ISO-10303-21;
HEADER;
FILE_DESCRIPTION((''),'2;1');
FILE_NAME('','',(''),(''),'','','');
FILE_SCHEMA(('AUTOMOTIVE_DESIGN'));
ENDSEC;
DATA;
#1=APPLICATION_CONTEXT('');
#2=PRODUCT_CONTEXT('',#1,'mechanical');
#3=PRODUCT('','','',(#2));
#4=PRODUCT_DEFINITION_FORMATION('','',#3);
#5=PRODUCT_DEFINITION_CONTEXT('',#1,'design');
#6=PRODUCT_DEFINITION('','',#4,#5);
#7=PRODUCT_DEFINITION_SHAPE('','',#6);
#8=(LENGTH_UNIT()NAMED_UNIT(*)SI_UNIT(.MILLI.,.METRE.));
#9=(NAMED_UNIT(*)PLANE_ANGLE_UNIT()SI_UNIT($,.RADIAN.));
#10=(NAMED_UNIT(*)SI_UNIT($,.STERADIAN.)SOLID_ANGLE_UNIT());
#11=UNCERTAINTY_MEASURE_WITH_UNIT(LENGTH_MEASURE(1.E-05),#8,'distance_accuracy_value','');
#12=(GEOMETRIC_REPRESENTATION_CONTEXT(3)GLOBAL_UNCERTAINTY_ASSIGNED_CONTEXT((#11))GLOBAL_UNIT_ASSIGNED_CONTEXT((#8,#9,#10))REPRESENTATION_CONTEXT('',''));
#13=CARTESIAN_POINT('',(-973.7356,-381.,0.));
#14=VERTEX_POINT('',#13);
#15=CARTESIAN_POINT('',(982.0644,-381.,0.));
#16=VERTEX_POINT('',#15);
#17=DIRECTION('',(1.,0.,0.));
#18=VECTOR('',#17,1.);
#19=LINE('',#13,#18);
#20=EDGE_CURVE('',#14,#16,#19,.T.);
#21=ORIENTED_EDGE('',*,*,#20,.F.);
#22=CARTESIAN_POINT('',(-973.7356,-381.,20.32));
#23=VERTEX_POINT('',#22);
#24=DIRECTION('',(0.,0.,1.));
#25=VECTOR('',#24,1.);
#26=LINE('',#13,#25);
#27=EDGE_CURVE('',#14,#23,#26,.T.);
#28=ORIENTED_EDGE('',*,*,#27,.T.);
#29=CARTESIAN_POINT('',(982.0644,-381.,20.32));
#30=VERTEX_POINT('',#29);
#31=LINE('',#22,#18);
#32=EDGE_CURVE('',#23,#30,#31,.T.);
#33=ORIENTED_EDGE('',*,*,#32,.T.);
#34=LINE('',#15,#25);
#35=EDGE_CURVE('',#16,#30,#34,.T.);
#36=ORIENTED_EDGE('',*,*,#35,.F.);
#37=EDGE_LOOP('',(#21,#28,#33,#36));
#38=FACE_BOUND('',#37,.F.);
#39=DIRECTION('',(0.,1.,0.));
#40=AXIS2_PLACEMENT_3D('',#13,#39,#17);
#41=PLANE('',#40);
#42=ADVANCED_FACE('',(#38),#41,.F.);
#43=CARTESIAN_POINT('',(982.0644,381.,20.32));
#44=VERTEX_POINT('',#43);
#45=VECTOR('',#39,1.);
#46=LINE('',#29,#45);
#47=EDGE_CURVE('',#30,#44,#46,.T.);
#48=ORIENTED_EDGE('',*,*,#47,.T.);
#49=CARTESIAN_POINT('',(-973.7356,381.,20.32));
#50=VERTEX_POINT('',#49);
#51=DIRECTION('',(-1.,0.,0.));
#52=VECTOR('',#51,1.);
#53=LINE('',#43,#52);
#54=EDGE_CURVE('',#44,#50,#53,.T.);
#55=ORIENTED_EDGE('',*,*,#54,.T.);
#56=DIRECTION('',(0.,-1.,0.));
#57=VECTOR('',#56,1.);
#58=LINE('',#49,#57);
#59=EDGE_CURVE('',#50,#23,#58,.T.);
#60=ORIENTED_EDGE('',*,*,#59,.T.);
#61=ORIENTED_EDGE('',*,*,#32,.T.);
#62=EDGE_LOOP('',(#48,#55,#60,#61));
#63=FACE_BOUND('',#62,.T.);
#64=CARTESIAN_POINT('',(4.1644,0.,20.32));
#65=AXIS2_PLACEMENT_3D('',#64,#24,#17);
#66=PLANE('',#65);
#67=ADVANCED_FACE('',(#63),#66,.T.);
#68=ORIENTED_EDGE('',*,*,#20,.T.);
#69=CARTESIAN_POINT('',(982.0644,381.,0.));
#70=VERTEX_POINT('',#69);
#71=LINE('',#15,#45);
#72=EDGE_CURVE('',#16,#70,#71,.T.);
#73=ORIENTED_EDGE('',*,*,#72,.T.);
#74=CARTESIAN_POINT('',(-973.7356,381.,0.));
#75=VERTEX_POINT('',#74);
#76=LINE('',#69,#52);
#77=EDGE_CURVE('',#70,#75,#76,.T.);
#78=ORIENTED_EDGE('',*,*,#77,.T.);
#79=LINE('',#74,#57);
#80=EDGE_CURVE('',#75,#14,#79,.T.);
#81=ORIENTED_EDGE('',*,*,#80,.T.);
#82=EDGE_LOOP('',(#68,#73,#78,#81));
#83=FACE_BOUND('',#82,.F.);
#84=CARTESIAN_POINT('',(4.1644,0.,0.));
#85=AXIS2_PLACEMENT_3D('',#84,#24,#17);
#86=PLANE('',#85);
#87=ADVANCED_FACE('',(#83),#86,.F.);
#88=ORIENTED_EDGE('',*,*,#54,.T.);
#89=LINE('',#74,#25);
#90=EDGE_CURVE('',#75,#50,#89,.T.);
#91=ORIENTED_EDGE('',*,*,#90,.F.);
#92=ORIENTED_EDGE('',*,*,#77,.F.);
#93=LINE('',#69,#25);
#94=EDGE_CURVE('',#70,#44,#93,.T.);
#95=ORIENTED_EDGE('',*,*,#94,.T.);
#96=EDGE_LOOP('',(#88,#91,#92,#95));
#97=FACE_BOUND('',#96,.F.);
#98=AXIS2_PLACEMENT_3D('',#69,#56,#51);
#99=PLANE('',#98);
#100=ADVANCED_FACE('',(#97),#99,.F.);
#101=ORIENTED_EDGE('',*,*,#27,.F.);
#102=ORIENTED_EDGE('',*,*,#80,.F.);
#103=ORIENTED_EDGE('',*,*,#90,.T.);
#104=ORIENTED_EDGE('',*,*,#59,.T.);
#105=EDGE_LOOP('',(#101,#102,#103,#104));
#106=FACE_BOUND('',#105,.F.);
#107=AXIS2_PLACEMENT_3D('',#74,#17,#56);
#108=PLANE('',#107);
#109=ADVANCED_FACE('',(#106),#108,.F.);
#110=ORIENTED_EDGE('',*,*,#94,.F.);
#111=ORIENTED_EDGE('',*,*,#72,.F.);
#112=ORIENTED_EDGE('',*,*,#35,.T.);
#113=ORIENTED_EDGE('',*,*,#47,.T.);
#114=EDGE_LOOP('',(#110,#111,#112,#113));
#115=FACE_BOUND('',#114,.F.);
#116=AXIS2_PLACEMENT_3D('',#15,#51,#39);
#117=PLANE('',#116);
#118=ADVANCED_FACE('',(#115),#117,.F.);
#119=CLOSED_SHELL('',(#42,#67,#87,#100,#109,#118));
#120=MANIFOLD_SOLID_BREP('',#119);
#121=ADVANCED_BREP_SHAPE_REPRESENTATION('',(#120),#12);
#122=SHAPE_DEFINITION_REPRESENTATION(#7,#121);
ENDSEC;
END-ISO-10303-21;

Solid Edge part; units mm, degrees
sketch "Sketch1" plane through (0, 0, 0) normal (0, 0, 1) x (1, 0, 0)
  line L0 (-973.7356, -381) -> (982.0644, -381)
  line L1 (982.0644, -381) -> (982.0644, 381)
  line L2 (982.0644, 381) -> (-973.7356, 381)
  line L3 (-973.7356, 381) -> (-973.7356, -381)
extrude "Protrusion1" add sketch "Sketch1" along normal blind 20.32
properties material "Iron:0.6010 , EN-GJL-100"
